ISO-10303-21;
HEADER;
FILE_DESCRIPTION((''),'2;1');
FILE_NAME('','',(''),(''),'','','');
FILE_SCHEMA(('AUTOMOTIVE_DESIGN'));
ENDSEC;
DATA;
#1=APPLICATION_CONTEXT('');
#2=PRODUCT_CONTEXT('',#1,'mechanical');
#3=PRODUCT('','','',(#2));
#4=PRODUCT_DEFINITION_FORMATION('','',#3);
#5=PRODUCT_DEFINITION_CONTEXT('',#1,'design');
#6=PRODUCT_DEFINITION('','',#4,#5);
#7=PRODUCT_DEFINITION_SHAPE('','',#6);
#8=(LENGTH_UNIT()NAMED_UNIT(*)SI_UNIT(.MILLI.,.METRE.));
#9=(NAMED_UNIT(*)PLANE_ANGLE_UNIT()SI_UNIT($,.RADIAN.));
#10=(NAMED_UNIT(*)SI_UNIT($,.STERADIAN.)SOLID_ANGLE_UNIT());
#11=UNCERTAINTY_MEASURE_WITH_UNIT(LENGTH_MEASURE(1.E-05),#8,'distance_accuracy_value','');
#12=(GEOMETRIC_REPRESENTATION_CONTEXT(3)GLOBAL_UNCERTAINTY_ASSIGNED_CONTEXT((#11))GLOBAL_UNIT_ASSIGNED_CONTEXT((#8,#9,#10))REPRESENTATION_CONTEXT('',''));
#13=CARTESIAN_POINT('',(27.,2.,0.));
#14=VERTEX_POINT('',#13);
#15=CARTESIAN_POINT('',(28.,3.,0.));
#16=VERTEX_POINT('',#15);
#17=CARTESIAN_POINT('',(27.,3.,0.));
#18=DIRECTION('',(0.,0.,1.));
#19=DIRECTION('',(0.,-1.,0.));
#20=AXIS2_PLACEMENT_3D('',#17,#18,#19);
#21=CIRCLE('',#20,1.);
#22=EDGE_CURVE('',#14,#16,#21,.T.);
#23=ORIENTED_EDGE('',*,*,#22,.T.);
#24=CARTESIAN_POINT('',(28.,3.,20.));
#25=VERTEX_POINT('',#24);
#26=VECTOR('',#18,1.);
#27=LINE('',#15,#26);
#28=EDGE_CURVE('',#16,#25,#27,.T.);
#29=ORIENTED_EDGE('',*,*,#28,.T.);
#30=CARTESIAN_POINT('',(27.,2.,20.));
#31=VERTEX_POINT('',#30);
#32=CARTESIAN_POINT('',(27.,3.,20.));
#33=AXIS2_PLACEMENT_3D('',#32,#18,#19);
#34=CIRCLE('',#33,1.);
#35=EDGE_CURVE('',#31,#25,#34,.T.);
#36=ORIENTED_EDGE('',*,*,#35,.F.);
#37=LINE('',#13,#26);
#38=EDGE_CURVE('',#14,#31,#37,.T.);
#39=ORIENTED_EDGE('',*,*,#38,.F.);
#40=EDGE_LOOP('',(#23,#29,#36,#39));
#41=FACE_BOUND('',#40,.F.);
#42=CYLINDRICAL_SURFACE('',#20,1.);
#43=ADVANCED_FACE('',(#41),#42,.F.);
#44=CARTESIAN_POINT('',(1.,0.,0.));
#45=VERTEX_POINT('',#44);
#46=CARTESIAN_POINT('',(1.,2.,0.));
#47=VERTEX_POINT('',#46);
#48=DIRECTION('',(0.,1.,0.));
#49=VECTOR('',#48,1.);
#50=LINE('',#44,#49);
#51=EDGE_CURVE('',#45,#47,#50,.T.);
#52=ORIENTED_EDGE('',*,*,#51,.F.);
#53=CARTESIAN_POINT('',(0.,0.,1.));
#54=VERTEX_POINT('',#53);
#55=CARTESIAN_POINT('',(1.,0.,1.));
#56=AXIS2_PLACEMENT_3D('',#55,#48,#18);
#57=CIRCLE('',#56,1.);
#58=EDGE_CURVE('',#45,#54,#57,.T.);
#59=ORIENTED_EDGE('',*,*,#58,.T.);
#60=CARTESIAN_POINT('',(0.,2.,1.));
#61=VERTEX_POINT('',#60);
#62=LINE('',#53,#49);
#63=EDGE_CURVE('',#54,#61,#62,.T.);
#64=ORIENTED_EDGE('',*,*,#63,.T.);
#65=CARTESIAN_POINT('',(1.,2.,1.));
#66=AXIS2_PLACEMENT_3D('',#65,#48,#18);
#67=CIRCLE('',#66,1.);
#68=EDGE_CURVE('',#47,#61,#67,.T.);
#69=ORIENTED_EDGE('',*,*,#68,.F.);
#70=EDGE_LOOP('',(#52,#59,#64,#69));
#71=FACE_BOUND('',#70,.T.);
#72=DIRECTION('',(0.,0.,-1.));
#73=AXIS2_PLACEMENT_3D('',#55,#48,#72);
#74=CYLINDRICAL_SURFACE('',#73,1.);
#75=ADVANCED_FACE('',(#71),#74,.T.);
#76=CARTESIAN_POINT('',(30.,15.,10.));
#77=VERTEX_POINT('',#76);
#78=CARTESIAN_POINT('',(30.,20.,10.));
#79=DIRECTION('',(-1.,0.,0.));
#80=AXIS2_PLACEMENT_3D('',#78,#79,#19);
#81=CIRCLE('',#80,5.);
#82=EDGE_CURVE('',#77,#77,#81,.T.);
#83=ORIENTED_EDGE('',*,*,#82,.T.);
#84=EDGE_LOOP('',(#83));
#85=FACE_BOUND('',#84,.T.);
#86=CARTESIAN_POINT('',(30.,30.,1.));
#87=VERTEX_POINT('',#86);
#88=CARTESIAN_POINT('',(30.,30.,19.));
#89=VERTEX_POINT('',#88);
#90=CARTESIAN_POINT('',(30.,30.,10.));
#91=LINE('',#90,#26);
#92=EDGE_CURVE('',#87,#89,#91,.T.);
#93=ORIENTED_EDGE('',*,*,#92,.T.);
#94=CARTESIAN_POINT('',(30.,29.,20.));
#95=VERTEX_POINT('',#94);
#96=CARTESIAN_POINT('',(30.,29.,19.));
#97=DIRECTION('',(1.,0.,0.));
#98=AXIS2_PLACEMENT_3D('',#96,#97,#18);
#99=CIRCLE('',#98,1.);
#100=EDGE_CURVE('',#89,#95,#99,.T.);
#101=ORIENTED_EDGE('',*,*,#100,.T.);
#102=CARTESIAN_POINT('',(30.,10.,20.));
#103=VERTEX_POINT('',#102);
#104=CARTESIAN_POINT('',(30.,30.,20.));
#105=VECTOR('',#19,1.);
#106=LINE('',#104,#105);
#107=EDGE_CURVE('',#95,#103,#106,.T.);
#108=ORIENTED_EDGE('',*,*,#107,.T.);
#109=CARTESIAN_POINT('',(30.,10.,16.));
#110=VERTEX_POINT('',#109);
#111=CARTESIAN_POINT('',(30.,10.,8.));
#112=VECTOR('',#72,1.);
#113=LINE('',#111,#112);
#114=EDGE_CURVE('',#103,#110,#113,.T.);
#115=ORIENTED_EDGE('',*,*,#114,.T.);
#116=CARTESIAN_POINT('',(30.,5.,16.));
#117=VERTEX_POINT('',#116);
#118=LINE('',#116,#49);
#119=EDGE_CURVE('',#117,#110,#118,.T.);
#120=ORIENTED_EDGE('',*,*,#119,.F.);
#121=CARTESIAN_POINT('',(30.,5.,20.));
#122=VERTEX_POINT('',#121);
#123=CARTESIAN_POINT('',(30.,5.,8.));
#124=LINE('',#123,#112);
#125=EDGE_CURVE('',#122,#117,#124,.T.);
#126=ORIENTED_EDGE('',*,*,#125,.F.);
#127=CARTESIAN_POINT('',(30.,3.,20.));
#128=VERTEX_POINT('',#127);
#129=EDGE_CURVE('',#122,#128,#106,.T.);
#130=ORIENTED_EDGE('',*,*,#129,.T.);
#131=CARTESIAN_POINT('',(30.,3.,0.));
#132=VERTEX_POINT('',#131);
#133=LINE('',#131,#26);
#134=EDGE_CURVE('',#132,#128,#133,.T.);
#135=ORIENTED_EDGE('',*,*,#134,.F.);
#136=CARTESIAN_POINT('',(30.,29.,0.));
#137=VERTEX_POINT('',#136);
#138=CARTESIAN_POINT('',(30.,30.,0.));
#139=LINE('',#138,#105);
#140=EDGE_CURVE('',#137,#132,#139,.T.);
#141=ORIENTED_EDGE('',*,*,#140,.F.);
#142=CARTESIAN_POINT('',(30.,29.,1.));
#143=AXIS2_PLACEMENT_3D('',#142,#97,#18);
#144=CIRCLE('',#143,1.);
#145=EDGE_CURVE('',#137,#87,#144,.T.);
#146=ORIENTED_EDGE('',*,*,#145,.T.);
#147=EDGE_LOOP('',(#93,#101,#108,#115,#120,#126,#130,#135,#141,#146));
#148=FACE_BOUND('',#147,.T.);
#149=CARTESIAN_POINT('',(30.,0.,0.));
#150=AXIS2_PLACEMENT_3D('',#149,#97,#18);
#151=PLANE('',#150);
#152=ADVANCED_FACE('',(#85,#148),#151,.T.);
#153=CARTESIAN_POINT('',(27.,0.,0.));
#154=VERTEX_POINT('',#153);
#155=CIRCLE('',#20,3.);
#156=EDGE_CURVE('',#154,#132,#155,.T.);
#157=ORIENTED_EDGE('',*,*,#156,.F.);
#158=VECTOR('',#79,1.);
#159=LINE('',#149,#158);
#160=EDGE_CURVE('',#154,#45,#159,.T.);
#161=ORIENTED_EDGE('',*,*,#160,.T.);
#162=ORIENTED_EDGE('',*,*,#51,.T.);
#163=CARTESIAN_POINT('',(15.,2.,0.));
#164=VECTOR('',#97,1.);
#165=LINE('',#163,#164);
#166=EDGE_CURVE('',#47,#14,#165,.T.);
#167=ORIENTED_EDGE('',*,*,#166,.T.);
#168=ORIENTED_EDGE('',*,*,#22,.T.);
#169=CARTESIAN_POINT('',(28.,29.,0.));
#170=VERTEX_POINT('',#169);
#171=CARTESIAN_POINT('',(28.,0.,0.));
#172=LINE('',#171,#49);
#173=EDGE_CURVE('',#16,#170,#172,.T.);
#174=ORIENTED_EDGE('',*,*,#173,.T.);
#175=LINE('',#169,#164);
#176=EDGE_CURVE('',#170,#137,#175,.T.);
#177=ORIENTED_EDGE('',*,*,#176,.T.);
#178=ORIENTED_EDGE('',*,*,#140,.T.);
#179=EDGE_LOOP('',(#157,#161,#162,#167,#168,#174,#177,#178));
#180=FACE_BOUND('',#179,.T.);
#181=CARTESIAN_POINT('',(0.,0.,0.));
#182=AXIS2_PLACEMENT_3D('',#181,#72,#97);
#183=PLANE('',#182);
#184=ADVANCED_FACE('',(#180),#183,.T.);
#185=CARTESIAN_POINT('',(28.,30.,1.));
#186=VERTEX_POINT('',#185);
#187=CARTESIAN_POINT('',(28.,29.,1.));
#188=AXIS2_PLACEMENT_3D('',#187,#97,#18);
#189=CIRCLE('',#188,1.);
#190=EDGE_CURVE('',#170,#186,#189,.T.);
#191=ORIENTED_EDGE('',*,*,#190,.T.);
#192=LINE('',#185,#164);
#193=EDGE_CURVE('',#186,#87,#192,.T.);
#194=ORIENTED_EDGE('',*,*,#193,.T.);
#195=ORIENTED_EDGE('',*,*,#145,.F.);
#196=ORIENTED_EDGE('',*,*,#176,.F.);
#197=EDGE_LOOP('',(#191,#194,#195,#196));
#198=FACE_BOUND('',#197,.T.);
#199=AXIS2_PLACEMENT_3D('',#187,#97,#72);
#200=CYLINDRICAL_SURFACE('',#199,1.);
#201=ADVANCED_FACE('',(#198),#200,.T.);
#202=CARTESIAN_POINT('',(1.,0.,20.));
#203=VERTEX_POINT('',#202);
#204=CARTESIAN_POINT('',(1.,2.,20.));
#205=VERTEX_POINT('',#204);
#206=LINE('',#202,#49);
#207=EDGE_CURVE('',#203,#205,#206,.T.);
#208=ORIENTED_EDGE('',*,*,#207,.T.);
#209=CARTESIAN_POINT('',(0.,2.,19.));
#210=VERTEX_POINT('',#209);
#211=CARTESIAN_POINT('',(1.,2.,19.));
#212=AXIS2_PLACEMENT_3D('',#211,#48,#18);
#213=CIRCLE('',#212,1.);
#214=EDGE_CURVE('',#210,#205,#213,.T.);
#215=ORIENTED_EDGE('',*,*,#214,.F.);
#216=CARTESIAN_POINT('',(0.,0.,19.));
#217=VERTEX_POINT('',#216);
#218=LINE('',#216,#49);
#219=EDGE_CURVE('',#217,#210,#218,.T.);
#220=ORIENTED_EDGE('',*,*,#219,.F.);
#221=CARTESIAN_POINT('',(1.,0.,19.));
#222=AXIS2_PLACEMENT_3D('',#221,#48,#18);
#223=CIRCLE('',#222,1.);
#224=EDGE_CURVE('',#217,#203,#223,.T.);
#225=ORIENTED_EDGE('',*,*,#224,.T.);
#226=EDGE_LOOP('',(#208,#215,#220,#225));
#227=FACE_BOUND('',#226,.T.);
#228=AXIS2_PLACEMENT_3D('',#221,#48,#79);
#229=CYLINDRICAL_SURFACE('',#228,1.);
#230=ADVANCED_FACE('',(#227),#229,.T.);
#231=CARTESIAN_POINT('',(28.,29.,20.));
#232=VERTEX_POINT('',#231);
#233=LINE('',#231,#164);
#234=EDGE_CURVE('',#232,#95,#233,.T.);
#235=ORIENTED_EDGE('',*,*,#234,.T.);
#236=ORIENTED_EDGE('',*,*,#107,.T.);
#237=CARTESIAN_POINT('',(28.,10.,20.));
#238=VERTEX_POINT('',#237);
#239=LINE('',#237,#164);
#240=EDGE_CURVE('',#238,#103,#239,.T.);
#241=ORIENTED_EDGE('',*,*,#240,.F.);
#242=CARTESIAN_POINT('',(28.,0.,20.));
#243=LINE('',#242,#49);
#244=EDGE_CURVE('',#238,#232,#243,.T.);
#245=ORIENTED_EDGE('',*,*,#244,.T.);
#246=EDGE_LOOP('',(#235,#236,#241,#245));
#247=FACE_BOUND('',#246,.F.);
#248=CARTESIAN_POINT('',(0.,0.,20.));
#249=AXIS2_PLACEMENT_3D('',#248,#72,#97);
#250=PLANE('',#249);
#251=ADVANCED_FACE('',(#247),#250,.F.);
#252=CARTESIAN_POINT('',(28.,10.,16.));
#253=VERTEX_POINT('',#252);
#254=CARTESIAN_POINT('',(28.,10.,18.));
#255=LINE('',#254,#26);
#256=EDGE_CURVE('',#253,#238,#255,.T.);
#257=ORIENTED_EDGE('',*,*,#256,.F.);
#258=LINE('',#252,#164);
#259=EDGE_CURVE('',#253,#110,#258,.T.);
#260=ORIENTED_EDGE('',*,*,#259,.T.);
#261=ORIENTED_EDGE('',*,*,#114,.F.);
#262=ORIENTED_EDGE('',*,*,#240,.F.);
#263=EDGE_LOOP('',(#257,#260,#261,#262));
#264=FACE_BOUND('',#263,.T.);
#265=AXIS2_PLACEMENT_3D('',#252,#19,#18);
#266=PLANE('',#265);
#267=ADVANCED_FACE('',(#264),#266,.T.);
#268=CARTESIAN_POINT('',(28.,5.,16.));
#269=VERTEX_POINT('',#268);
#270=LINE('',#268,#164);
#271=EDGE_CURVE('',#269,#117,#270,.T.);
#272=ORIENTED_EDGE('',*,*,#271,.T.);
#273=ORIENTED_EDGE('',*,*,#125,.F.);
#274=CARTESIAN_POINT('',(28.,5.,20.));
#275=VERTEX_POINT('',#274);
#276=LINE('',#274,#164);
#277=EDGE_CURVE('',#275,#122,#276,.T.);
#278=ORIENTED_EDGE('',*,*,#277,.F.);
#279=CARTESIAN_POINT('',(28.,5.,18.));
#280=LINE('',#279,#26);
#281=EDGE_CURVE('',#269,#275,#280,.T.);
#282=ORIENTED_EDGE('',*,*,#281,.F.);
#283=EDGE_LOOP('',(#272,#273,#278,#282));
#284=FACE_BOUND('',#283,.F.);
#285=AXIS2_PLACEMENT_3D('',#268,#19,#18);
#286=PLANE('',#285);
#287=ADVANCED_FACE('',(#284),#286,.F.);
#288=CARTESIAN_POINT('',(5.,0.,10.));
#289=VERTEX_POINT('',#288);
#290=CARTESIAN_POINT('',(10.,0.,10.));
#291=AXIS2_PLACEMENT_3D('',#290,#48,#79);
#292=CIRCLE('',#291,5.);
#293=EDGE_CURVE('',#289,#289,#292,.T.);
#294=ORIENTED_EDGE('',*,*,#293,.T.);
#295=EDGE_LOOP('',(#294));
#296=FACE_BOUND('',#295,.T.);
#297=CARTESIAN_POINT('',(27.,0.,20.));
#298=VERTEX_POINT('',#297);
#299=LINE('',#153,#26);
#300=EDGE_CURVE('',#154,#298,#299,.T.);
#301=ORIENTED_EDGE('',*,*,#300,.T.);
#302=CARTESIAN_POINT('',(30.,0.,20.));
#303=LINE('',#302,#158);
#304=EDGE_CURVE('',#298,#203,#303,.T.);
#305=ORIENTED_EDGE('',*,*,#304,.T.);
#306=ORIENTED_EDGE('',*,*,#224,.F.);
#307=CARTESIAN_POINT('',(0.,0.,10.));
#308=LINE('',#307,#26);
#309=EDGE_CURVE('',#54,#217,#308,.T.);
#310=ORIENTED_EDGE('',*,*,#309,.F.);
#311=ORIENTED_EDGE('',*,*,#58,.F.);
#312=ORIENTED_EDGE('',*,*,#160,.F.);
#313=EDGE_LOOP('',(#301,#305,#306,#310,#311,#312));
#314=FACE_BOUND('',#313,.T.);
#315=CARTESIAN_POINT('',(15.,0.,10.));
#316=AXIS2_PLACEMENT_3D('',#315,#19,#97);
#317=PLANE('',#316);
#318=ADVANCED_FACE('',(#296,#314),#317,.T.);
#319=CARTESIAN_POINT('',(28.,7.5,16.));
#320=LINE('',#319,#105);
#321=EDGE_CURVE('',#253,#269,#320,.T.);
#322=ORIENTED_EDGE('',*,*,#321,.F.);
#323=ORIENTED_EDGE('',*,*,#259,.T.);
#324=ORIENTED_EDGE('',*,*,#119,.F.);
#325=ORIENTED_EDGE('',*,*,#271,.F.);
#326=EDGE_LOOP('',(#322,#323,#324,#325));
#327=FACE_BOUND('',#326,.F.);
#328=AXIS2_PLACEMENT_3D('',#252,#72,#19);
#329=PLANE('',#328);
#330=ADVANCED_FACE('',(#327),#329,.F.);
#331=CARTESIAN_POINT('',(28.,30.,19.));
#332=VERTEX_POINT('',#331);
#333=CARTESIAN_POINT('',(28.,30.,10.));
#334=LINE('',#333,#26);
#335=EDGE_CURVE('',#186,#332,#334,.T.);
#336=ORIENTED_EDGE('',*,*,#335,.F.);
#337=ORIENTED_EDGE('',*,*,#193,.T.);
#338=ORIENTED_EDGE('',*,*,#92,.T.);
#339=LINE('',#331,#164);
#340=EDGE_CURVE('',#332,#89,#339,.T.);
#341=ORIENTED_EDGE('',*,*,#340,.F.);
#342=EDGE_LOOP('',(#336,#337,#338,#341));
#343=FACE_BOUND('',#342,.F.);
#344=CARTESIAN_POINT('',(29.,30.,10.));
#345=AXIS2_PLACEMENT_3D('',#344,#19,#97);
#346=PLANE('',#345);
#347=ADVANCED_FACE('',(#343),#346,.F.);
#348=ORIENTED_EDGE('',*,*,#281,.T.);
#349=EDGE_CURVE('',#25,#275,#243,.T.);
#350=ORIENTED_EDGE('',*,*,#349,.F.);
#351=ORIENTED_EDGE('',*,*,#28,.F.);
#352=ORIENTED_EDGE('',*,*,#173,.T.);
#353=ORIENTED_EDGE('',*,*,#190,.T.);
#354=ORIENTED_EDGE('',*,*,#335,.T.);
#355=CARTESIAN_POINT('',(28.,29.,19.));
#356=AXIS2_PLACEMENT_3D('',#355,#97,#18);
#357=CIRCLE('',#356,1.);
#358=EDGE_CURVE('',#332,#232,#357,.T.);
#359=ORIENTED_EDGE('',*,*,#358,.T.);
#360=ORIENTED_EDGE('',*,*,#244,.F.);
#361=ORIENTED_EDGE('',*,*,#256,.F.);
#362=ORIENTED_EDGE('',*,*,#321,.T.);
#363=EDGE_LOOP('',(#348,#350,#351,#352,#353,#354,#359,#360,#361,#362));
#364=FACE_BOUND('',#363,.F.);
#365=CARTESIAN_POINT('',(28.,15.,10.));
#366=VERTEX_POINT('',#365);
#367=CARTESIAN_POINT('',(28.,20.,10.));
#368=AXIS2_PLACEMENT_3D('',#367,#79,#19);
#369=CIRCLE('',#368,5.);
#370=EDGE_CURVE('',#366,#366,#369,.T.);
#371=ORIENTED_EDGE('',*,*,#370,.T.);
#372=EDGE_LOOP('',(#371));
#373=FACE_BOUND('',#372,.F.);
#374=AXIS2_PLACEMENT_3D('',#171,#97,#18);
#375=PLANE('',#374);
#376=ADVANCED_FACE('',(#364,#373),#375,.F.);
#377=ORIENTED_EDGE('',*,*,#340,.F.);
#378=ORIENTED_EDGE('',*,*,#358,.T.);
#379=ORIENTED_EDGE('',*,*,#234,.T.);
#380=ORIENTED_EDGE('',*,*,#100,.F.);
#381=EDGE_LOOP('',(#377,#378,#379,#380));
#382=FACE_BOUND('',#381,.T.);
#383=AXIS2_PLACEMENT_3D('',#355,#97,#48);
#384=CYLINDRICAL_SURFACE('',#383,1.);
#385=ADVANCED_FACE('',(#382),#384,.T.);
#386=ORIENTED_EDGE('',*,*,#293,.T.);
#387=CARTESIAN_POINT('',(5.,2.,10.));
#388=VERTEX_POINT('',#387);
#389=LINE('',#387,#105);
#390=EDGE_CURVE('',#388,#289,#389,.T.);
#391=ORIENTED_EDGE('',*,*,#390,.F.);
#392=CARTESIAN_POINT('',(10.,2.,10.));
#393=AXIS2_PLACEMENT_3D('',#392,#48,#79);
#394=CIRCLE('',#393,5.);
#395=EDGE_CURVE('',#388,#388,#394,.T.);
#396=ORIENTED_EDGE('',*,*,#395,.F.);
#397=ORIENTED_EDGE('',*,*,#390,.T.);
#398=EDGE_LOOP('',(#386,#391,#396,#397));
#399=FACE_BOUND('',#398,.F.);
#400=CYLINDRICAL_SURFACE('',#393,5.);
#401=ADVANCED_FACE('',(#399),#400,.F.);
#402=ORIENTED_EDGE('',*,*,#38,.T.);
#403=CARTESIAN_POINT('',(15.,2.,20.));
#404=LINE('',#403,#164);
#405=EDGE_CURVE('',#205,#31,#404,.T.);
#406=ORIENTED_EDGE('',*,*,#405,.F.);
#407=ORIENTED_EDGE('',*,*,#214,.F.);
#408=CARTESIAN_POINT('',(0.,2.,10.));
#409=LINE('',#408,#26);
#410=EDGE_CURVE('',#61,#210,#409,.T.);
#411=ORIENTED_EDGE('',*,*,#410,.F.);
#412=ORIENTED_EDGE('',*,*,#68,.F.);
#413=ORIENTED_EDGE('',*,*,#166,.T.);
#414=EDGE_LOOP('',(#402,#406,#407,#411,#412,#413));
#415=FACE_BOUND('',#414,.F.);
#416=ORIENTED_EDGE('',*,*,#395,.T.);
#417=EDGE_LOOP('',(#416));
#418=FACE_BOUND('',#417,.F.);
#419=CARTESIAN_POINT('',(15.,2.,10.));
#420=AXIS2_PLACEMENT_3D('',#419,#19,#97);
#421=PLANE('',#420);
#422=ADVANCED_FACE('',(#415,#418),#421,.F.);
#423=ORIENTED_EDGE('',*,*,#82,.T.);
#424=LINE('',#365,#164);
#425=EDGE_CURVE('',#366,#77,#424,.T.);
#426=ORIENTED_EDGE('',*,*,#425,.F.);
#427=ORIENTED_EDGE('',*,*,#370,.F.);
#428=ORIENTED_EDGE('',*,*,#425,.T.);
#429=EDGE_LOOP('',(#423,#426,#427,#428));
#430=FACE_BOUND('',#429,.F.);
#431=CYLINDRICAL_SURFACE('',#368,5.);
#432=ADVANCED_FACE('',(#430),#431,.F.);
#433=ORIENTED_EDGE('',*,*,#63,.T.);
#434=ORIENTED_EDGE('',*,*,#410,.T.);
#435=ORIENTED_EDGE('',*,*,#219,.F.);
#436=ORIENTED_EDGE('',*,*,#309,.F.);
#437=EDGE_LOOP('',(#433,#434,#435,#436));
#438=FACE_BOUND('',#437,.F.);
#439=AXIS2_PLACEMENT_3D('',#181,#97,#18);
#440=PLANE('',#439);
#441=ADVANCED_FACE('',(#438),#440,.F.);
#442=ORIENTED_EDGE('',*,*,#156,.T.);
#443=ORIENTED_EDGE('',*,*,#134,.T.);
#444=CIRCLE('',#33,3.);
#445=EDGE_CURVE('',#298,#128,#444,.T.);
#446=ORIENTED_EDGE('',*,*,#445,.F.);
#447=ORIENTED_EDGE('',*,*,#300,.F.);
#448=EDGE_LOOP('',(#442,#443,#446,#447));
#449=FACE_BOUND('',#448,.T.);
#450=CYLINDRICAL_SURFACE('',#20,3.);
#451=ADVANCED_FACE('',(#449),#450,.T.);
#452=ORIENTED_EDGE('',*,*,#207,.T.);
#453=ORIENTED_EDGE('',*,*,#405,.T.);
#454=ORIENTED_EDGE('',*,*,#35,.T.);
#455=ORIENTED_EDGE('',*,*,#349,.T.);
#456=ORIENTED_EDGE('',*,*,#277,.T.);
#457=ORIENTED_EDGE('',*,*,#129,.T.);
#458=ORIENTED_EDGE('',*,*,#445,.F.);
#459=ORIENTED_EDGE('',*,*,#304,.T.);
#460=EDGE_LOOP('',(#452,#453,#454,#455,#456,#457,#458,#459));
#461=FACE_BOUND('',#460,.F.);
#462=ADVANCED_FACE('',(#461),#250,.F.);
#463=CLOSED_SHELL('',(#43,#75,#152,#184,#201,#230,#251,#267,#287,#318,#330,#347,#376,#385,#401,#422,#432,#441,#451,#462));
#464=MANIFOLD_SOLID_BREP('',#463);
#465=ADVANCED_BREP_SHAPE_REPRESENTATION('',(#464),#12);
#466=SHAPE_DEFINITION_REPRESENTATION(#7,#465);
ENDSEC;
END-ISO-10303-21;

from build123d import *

# Parameters (mm, degrees)
F0_W     = 30
F0_H     = 20
F1_DEPTH = 2
F2_W     = 2
F2_H     = 20
F3_DEPTH = 30
F5_R     = 5
F5_W     = 5
F5_H     = 4
F6_DEPTH = 2.001
F4_R     = 5
F7_DEPTH = 25
F8_R     = 3
F9_R     = 1


with BuildPart() as f1:
    # F0 (on Front) → F1 (new body)
    with BuildSketch(Plane.XZ):
        with Locations((15, 10)):
            Rectangle(F0_W, F0_H)
    extrude(amount=-F1_DEPTH)

    # F2 (on face) → F3 (join)
    with BuildSketch(Plane.XZ):
        with Locations((29, 10)):
            Rectangle(F2_W, F2_H)
    extrude(amount=-F3_DEPTH)

    # F5 (on face) → F6 (cut, through all)
    with BuildSketch(Plane(origin=(28, 0, 0), x_dir=(0, -1, 0), z_dir=(-1, 0, 0))):
        with Locations((-20, 10)):
            Circle(F5_R)
        with Locations((-7.5, 18)):
            Rectangle(F5_W, F5_H)
    extrude(amount=-F6_DEPTH, mode=Mode.SUBTRACT)

    # F4 (on face) → F7 (cut)
    with BuildSketch(Plane(origin=(0, 2, 0), x_dir=(-1, 0, 0), z_dir=(0, 1, 0))):
        with Locations((-10, 10)):
            Circle(F4_R)
    extrude(amount=-F7_DEPTH, mode=Mode.SUBTRACT)

    # F8
    f8_edges = [f1.edges().sort_by_distance(p)[0] for p in [
        (30, 0, 10),
    ]]
    fillet(f8_edges, radius=F8_R)

    # F9
    f9_edges = [f1.edges().sort_by_distance(p)[0] for p in [
        (0, 1, 20),
        (28, 2, 10),
        (29, 30, 20),
        (0, 1, 0),
        (29, 30, 0),
    ]]
    fillet(f9_edges, radius=F9_R)


solid = f1.part
